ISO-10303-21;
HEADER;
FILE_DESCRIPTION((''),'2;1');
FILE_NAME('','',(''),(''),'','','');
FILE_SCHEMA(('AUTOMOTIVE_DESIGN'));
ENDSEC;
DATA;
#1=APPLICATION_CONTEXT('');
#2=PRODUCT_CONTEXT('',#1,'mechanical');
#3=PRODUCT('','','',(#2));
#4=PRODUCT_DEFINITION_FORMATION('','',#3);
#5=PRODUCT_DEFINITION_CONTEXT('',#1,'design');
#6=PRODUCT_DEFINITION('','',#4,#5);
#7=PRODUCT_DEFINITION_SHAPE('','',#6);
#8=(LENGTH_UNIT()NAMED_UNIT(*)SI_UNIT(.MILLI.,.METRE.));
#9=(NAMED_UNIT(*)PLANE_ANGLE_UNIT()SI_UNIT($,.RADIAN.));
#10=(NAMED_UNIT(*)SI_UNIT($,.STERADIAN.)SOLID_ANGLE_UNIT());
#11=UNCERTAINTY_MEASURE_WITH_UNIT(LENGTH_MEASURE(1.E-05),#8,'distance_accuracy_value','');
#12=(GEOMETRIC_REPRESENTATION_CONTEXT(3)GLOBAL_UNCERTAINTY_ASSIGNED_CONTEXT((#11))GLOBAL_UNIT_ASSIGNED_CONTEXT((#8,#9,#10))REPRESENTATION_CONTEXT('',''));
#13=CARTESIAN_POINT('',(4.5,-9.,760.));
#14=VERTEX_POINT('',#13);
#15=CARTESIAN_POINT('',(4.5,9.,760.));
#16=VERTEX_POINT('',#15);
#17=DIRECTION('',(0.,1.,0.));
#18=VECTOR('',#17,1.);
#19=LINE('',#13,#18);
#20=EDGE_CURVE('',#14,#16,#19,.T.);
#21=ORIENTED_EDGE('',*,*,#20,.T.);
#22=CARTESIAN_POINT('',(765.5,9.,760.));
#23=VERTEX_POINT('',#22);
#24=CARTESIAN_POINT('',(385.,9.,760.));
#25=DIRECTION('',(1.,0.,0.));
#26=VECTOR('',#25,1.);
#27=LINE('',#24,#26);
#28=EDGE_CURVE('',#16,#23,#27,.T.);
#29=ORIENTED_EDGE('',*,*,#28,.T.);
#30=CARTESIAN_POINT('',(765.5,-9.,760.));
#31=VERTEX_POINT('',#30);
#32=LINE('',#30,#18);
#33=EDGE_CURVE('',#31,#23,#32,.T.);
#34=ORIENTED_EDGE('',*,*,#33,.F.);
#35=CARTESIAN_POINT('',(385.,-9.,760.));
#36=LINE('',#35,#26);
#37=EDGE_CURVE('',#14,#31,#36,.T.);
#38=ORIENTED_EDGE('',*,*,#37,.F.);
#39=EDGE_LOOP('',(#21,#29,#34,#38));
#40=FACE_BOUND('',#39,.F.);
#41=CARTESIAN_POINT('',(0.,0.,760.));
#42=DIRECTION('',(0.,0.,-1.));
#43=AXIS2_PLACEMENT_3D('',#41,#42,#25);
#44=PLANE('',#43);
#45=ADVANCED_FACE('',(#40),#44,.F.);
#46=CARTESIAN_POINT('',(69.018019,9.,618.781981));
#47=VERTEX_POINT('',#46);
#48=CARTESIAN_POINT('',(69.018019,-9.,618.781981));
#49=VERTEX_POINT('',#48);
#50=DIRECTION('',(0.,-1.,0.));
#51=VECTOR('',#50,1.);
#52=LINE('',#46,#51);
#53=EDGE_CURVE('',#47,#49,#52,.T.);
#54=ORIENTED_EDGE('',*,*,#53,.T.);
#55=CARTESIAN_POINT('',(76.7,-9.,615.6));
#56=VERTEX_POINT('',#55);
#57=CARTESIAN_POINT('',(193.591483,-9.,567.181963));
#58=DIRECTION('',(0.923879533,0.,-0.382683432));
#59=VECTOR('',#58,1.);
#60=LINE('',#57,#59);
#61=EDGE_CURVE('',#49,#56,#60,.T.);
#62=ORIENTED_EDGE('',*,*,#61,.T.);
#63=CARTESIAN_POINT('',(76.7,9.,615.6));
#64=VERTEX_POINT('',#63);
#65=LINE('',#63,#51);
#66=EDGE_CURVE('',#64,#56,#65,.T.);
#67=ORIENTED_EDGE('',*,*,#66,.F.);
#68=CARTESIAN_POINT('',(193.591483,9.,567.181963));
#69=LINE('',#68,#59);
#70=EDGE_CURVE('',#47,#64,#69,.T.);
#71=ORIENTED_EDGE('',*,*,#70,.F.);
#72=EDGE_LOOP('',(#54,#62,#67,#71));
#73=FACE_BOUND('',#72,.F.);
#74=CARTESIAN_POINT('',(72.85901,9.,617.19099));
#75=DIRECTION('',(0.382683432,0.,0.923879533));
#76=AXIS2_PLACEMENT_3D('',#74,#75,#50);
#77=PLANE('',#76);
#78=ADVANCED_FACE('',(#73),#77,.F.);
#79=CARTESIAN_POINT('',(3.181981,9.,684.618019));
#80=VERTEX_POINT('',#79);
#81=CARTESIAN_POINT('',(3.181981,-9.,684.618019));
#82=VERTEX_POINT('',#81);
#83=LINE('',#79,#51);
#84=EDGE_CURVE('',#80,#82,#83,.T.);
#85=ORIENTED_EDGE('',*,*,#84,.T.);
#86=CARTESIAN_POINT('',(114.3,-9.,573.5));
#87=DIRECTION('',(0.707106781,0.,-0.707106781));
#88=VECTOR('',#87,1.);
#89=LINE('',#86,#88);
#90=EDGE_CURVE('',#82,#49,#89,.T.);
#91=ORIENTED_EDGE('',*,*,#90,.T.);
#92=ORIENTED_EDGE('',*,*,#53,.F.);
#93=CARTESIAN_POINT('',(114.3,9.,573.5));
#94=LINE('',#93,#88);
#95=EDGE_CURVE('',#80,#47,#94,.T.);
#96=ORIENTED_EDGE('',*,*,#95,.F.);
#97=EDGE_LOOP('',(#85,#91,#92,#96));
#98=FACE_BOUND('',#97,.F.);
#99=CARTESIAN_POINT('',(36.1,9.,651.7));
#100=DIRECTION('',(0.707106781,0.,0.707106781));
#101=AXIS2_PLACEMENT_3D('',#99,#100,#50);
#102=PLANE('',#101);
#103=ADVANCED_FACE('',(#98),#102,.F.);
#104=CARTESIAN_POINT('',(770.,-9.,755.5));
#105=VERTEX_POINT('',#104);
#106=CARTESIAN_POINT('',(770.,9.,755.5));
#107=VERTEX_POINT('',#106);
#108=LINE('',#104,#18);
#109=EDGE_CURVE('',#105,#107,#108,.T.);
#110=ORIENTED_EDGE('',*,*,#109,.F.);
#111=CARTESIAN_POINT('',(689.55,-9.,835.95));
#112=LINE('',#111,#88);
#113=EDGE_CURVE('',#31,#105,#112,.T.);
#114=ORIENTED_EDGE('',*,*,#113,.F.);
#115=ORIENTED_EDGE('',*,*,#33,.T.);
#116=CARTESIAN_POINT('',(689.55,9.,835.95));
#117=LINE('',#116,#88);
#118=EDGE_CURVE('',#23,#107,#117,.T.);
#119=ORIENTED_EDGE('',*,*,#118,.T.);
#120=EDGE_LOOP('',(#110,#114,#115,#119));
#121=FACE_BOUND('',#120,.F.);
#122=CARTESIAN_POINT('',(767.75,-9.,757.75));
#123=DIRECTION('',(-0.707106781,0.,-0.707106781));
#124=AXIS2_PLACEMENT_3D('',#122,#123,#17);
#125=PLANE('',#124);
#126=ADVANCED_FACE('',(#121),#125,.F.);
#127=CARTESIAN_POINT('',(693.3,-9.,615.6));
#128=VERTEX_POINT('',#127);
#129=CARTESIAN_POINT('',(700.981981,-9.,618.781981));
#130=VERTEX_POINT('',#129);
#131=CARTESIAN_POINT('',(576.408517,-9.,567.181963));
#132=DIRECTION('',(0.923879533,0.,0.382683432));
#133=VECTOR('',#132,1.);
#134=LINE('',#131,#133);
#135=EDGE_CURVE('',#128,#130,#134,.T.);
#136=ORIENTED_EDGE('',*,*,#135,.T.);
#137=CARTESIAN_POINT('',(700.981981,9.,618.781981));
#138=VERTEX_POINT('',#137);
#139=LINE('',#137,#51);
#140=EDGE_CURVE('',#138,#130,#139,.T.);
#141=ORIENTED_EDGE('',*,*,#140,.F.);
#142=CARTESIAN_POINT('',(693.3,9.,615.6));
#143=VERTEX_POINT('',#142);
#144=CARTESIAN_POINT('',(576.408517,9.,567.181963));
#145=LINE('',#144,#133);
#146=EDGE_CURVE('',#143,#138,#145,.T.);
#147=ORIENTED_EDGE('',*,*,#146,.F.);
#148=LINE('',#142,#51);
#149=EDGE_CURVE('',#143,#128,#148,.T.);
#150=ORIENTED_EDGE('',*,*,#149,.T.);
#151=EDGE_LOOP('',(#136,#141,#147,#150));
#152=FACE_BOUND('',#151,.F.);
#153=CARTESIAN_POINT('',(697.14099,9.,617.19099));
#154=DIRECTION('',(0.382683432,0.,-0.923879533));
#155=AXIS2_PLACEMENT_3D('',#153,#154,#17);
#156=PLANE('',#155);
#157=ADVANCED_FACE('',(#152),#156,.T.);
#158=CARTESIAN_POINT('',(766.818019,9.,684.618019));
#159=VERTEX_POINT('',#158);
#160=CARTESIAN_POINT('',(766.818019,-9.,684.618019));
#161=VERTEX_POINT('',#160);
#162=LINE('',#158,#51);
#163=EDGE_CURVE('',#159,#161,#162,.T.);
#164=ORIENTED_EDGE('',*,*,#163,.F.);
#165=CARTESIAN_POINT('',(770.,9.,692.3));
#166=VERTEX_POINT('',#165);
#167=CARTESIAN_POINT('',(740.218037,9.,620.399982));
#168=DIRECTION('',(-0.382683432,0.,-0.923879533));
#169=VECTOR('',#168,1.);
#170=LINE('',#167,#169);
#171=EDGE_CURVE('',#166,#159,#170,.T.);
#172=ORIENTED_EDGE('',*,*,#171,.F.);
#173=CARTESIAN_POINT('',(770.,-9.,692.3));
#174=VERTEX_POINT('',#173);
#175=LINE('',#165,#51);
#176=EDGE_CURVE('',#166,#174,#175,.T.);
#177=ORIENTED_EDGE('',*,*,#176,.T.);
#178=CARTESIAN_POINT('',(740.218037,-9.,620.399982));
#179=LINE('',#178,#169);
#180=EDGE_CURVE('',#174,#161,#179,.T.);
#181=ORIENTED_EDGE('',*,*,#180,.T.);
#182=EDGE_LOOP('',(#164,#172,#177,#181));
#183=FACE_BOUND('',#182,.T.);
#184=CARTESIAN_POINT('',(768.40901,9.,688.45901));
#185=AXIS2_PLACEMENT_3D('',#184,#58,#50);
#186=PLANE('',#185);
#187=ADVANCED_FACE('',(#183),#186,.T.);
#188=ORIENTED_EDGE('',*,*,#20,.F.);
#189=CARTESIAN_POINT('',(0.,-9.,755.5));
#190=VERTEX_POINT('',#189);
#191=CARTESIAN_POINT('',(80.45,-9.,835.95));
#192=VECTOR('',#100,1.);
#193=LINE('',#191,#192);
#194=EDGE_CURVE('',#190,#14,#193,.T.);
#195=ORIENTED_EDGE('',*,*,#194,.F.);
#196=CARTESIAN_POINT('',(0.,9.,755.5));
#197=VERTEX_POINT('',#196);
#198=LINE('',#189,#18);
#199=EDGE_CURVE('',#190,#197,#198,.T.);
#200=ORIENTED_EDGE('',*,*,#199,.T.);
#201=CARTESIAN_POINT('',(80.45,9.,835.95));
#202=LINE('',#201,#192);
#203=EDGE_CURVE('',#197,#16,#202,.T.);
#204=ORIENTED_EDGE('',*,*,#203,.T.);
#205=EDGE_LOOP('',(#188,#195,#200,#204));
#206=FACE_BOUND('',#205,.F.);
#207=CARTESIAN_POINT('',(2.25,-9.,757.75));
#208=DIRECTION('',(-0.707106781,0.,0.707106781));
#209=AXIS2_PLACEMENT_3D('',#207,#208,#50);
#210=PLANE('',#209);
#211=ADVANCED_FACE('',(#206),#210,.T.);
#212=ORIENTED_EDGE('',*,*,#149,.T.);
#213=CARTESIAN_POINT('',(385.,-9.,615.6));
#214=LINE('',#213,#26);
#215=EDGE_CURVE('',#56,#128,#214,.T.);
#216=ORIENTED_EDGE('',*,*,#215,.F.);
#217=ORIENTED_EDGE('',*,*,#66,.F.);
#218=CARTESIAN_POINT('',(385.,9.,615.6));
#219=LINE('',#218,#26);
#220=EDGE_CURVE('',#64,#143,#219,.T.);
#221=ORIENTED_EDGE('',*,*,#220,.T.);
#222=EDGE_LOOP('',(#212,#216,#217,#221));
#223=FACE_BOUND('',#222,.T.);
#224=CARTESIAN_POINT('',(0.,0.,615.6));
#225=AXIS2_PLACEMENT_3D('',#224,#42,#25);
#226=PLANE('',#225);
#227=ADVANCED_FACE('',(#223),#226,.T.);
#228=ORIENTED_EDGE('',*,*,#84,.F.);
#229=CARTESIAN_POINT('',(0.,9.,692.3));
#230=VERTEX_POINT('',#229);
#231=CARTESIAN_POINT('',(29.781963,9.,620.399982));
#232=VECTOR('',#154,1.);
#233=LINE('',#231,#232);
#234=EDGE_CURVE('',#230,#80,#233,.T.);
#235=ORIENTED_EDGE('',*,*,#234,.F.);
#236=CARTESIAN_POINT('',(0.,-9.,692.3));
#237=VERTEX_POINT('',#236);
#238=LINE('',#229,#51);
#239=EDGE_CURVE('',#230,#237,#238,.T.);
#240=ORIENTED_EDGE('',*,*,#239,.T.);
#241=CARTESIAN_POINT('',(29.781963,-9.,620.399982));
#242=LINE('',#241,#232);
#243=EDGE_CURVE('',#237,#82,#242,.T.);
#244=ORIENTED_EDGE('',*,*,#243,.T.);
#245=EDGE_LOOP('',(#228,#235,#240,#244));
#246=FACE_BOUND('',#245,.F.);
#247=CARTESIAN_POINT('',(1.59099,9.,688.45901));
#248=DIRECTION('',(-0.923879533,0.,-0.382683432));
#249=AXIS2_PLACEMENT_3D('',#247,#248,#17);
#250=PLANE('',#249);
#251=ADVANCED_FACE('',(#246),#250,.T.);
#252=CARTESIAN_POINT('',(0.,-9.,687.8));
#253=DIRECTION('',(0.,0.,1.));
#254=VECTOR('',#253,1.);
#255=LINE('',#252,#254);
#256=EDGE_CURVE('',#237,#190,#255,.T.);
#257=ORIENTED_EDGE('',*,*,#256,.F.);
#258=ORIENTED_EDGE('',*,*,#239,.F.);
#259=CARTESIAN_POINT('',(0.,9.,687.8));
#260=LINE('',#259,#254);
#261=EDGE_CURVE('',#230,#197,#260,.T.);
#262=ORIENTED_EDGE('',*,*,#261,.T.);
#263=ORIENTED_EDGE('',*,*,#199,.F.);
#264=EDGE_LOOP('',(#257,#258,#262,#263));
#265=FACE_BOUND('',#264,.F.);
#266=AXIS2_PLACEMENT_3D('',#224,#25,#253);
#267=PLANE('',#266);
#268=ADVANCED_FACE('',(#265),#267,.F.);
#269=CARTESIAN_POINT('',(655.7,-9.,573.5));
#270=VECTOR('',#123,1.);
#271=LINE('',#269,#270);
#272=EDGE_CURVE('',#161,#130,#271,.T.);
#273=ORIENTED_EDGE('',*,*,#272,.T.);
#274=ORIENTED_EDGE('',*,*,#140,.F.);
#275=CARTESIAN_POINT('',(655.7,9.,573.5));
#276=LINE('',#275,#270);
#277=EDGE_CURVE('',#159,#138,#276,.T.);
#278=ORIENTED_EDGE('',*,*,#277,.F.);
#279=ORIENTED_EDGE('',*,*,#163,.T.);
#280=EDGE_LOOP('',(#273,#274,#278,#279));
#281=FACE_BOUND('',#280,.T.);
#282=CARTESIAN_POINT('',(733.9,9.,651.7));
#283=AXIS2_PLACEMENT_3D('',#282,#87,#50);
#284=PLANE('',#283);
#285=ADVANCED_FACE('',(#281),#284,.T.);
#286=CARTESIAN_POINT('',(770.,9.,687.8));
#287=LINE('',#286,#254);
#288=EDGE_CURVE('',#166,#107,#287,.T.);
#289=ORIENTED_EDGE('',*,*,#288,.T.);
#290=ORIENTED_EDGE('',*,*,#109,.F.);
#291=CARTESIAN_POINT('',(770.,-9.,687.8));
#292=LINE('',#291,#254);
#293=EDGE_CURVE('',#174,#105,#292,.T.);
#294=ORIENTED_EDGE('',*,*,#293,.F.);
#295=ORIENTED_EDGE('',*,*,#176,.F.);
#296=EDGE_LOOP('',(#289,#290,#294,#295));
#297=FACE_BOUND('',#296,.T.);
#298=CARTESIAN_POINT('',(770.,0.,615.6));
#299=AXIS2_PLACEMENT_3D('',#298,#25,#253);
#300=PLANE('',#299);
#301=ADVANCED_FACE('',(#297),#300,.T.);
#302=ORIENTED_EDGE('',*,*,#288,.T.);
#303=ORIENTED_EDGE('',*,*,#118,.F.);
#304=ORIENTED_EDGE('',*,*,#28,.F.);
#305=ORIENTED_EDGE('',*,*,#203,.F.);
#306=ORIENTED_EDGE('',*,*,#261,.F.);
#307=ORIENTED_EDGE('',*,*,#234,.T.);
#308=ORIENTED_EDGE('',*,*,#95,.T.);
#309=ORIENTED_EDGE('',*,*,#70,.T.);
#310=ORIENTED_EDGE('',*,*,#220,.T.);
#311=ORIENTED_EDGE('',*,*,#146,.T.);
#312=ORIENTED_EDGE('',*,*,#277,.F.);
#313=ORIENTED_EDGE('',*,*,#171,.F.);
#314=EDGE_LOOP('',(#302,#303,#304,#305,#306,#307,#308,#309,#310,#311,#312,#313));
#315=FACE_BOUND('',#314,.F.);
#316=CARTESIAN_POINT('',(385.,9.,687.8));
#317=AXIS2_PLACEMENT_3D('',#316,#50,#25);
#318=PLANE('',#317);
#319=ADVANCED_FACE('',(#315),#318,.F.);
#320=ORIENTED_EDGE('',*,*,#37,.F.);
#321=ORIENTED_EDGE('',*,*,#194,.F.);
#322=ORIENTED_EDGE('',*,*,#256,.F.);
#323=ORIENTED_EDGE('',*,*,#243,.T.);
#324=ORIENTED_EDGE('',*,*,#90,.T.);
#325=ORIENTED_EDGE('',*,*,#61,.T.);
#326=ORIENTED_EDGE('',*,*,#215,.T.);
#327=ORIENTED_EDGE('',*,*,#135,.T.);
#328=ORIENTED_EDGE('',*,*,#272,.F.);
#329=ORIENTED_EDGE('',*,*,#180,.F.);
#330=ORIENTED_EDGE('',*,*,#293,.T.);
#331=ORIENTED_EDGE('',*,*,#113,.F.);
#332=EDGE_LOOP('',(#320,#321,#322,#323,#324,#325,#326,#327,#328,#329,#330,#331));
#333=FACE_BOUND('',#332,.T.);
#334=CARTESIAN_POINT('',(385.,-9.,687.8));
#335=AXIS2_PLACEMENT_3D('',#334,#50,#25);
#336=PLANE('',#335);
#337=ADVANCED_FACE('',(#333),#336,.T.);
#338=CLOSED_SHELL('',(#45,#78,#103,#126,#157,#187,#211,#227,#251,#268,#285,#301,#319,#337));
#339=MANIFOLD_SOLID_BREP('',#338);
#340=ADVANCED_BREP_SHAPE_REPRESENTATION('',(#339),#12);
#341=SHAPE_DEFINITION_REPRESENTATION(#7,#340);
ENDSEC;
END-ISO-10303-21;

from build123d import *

# Parameters (mm, degrees)
SKETCH_W        = 770
SKETCH_H        = 144.4
PAD_DEPTH       = 9
CHAMFER_SIZE    = 72.2
CHAMFER001_SIZE = 4.5


with BuildPart() as part:
    # Sketch → Pad (new body, symmetric)
    with BuildSketch(Plane.XZ):
        with Locations((385, 687.8)):
            Rectangle(SKETCH_W, SKETCH_H)
    extrude(amount=PAD_DEPTH, both=True)

    # Chamfer
    chamfer_edges = [part.edges().sort_by_distance(p)[0] for p in [
        (770, 0, 615.6),
        (0, 0, 615.6),
    ]]
    chamfer(chamfer_edges, length=CHAMFER_SIZE)

    # Chamfer001
    chamfer001_edges = [part.edges().sort_by_distance(p)[0] for p in [
        (0, 0, 687.8),
        (0, 0, 760),
        (72.2, 0, 615.6),
        (697.8, 0, 615.6),
        (770, 0, 687.8),
        (770, 0, 760),
    ]]
    chamfer(chamfer001_edges, length=CHAMFER001_SIZE)


solid = part.part
